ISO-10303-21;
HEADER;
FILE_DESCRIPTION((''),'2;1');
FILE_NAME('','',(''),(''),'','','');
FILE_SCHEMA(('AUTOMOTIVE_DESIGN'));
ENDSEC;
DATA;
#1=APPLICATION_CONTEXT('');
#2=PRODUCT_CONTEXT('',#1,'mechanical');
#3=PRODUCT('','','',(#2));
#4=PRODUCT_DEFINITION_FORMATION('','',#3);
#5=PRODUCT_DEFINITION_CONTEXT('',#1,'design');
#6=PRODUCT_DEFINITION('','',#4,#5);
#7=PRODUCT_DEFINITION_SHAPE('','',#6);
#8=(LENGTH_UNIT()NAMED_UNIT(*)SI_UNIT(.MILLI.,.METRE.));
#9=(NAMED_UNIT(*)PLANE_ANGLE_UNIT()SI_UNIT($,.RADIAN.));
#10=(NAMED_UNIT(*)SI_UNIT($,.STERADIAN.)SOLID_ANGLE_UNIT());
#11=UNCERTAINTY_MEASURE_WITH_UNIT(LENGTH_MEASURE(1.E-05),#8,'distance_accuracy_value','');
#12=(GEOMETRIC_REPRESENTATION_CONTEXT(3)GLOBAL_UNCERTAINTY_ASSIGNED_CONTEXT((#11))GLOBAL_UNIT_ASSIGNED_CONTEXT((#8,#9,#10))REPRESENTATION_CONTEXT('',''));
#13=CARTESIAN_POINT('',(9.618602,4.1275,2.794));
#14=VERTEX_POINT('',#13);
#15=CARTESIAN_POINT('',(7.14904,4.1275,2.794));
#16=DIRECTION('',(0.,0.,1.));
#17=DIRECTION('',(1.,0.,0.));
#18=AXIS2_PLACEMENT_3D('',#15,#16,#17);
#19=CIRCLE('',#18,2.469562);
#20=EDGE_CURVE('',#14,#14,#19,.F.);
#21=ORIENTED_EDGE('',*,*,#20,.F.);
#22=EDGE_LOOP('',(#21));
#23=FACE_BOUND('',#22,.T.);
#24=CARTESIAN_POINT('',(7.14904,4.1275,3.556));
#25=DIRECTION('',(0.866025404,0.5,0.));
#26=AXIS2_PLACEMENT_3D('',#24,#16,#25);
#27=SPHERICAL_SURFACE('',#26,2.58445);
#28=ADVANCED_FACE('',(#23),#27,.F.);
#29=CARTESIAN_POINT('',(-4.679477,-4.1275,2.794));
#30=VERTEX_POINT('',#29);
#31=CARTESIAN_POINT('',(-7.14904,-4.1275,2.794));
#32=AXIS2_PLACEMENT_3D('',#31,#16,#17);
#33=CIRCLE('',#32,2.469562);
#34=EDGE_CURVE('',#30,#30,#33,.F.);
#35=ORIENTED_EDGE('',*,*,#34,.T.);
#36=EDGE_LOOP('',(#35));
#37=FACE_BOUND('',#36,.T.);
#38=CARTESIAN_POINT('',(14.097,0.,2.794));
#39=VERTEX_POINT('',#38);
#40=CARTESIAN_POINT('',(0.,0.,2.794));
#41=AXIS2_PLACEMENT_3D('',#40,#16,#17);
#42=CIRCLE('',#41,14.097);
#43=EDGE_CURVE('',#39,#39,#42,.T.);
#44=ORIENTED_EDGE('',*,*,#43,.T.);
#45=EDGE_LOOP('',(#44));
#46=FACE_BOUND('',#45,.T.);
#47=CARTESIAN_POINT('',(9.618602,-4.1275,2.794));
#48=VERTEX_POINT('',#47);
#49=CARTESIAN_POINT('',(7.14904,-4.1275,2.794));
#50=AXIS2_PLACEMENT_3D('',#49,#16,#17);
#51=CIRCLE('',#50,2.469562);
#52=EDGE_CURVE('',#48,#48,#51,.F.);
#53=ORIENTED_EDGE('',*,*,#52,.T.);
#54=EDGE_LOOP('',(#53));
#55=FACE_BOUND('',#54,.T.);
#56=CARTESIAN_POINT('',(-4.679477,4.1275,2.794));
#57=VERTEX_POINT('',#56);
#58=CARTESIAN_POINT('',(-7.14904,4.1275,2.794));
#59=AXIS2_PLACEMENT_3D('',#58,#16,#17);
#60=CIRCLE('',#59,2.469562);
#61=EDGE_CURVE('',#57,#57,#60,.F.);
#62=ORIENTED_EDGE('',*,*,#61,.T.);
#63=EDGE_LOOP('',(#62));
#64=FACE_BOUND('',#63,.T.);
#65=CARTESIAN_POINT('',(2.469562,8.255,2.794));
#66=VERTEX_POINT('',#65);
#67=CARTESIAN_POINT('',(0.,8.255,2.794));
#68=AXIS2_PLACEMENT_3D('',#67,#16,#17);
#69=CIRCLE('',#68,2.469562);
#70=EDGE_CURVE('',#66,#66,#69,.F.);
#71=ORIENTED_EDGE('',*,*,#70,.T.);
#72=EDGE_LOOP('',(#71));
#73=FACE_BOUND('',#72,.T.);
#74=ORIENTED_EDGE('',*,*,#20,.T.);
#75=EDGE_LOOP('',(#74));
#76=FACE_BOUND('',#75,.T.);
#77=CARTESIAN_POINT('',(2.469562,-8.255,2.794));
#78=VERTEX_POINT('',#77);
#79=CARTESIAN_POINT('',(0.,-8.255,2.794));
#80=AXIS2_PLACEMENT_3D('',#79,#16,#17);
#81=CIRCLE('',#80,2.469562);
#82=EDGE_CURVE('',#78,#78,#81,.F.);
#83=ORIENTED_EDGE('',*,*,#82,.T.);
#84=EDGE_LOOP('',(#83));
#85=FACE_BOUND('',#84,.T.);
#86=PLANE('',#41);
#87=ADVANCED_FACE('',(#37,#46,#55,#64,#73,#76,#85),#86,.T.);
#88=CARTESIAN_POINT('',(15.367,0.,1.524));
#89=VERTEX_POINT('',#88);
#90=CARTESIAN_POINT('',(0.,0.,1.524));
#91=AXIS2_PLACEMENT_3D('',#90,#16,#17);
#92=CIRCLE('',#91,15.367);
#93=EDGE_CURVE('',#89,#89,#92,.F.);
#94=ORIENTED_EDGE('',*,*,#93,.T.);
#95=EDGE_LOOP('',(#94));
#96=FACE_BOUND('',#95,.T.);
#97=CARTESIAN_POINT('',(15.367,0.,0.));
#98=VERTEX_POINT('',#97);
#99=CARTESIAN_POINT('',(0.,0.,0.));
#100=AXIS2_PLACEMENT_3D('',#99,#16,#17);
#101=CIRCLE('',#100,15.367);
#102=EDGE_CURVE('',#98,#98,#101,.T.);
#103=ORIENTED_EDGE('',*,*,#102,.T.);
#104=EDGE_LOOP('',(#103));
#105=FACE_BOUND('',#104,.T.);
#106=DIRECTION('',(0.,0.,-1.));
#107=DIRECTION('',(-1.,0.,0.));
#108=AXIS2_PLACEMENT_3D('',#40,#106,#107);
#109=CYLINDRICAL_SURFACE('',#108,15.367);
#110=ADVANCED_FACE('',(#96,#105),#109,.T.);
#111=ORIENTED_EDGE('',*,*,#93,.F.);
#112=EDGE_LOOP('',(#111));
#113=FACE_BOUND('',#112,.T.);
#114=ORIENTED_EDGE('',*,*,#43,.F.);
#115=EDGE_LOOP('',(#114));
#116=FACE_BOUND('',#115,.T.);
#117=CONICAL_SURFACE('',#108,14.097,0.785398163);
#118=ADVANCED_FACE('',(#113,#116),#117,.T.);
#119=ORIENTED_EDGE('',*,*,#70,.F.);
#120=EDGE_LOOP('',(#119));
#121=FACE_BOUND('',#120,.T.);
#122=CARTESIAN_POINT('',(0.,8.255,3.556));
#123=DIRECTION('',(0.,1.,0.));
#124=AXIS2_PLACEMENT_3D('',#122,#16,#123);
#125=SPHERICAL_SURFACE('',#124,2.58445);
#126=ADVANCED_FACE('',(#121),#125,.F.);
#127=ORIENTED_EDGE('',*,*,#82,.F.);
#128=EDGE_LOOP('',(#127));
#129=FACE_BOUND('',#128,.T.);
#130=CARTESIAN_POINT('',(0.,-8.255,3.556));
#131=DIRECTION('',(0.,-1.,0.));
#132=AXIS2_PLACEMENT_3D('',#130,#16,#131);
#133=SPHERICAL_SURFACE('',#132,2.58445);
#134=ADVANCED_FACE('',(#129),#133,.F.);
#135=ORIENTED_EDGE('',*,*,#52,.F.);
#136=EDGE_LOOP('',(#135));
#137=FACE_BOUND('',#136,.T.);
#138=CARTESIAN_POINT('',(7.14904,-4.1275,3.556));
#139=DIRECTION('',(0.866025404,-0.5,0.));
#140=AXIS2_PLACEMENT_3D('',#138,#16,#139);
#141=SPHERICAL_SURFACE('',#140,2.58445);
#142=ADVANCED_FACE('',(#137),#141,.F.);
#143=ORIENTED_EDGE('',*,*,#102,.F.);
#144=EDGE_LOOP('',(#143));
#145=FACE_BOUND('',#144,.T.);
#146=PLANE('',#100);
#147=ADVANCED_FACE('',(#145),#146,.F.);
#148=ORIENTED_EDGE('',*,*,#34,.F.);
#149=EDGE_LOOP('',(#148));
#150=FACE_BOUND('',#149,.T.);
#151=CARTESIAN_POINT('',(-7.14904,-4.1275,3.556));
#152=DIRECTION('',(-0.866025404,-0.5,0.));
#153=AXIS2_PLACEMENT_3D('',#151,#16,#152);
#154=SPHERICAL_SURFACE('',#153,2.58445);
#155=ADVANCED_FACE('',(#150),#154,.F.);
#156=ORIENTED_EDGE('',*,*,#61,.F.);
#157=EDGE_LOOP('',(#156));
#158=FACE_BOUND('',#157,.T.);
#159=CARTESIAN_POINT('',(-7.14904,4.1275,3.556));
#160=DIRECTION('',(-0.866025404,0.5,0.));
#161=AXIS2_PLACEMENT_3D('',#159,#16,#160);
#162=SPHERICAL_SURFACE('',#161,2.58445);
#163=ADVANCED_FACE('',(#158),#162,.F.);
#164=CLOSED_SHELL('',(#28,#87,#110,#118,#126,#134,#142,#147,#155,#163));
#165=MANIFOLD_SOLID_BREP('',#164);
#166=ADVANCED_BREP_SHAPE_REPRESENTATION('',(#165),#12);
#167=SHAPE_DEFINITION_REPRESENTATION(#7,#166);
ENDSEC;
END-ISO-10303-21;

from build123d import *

# Parameters (mm, degrees)
SKETCH1_R           = 15.367
BOSS_EXTRUDE1_DEPTH = 2.794
CIRPATTERN1_COUNT   = 6
CHAMFER1_SIZE       = 1.27


with BuildPart() as part:
    # Sketch1 → Boss-Extrude1 (new body)
    with BuildSketch(Plane.XY):
        Circle(SKETCH1_R)
    extrude(amount=BOSS_EXTRUDE1_DEPTH)

    # Sketch3 → Cut-Revolve1 (revolve, cut)
    with BuildSketch(Plane(origin=(0, 0, 0), x_dir=(0, 0, -1), z_dir=(1, 0, 0))):
        with BuildLine():
            Line((-6.14045, 8.255), (-0.97155, 8.255))
            ThreePointArc((-0.97155, 8.255), (-3.556, 10.83945), (-6.14045, 8.255))
        make_face()
    cut_revolve1 = revolve(axis=Axis((0, 8.255, 6.14045), (0, 0, -1)), mode=Mode.SUBTRACT)

    # CirPattern1: Cut-Revolve1 ×6 about axis
    cirpattern1_axis = Axis((0, 0, 2.794), (0, 0, -1))
    for i in range(1, CIRPATTERN1_COUNT):
        add(cut_revolve1.rotate(cirpattern1_axis, i * 360 / CIRPATTERN1_COUNT), mode=Mode.SUBTRACT)

    # Chamfer1
    chamfer1_edges = [part.edges().sort_by_distance(p)[0] for p in [
        (-15.367, 0, 2.794),
    ]]
    chamfer(chamfer1_edges, length=CHAMFER1_SIZE)


solid = part.part
